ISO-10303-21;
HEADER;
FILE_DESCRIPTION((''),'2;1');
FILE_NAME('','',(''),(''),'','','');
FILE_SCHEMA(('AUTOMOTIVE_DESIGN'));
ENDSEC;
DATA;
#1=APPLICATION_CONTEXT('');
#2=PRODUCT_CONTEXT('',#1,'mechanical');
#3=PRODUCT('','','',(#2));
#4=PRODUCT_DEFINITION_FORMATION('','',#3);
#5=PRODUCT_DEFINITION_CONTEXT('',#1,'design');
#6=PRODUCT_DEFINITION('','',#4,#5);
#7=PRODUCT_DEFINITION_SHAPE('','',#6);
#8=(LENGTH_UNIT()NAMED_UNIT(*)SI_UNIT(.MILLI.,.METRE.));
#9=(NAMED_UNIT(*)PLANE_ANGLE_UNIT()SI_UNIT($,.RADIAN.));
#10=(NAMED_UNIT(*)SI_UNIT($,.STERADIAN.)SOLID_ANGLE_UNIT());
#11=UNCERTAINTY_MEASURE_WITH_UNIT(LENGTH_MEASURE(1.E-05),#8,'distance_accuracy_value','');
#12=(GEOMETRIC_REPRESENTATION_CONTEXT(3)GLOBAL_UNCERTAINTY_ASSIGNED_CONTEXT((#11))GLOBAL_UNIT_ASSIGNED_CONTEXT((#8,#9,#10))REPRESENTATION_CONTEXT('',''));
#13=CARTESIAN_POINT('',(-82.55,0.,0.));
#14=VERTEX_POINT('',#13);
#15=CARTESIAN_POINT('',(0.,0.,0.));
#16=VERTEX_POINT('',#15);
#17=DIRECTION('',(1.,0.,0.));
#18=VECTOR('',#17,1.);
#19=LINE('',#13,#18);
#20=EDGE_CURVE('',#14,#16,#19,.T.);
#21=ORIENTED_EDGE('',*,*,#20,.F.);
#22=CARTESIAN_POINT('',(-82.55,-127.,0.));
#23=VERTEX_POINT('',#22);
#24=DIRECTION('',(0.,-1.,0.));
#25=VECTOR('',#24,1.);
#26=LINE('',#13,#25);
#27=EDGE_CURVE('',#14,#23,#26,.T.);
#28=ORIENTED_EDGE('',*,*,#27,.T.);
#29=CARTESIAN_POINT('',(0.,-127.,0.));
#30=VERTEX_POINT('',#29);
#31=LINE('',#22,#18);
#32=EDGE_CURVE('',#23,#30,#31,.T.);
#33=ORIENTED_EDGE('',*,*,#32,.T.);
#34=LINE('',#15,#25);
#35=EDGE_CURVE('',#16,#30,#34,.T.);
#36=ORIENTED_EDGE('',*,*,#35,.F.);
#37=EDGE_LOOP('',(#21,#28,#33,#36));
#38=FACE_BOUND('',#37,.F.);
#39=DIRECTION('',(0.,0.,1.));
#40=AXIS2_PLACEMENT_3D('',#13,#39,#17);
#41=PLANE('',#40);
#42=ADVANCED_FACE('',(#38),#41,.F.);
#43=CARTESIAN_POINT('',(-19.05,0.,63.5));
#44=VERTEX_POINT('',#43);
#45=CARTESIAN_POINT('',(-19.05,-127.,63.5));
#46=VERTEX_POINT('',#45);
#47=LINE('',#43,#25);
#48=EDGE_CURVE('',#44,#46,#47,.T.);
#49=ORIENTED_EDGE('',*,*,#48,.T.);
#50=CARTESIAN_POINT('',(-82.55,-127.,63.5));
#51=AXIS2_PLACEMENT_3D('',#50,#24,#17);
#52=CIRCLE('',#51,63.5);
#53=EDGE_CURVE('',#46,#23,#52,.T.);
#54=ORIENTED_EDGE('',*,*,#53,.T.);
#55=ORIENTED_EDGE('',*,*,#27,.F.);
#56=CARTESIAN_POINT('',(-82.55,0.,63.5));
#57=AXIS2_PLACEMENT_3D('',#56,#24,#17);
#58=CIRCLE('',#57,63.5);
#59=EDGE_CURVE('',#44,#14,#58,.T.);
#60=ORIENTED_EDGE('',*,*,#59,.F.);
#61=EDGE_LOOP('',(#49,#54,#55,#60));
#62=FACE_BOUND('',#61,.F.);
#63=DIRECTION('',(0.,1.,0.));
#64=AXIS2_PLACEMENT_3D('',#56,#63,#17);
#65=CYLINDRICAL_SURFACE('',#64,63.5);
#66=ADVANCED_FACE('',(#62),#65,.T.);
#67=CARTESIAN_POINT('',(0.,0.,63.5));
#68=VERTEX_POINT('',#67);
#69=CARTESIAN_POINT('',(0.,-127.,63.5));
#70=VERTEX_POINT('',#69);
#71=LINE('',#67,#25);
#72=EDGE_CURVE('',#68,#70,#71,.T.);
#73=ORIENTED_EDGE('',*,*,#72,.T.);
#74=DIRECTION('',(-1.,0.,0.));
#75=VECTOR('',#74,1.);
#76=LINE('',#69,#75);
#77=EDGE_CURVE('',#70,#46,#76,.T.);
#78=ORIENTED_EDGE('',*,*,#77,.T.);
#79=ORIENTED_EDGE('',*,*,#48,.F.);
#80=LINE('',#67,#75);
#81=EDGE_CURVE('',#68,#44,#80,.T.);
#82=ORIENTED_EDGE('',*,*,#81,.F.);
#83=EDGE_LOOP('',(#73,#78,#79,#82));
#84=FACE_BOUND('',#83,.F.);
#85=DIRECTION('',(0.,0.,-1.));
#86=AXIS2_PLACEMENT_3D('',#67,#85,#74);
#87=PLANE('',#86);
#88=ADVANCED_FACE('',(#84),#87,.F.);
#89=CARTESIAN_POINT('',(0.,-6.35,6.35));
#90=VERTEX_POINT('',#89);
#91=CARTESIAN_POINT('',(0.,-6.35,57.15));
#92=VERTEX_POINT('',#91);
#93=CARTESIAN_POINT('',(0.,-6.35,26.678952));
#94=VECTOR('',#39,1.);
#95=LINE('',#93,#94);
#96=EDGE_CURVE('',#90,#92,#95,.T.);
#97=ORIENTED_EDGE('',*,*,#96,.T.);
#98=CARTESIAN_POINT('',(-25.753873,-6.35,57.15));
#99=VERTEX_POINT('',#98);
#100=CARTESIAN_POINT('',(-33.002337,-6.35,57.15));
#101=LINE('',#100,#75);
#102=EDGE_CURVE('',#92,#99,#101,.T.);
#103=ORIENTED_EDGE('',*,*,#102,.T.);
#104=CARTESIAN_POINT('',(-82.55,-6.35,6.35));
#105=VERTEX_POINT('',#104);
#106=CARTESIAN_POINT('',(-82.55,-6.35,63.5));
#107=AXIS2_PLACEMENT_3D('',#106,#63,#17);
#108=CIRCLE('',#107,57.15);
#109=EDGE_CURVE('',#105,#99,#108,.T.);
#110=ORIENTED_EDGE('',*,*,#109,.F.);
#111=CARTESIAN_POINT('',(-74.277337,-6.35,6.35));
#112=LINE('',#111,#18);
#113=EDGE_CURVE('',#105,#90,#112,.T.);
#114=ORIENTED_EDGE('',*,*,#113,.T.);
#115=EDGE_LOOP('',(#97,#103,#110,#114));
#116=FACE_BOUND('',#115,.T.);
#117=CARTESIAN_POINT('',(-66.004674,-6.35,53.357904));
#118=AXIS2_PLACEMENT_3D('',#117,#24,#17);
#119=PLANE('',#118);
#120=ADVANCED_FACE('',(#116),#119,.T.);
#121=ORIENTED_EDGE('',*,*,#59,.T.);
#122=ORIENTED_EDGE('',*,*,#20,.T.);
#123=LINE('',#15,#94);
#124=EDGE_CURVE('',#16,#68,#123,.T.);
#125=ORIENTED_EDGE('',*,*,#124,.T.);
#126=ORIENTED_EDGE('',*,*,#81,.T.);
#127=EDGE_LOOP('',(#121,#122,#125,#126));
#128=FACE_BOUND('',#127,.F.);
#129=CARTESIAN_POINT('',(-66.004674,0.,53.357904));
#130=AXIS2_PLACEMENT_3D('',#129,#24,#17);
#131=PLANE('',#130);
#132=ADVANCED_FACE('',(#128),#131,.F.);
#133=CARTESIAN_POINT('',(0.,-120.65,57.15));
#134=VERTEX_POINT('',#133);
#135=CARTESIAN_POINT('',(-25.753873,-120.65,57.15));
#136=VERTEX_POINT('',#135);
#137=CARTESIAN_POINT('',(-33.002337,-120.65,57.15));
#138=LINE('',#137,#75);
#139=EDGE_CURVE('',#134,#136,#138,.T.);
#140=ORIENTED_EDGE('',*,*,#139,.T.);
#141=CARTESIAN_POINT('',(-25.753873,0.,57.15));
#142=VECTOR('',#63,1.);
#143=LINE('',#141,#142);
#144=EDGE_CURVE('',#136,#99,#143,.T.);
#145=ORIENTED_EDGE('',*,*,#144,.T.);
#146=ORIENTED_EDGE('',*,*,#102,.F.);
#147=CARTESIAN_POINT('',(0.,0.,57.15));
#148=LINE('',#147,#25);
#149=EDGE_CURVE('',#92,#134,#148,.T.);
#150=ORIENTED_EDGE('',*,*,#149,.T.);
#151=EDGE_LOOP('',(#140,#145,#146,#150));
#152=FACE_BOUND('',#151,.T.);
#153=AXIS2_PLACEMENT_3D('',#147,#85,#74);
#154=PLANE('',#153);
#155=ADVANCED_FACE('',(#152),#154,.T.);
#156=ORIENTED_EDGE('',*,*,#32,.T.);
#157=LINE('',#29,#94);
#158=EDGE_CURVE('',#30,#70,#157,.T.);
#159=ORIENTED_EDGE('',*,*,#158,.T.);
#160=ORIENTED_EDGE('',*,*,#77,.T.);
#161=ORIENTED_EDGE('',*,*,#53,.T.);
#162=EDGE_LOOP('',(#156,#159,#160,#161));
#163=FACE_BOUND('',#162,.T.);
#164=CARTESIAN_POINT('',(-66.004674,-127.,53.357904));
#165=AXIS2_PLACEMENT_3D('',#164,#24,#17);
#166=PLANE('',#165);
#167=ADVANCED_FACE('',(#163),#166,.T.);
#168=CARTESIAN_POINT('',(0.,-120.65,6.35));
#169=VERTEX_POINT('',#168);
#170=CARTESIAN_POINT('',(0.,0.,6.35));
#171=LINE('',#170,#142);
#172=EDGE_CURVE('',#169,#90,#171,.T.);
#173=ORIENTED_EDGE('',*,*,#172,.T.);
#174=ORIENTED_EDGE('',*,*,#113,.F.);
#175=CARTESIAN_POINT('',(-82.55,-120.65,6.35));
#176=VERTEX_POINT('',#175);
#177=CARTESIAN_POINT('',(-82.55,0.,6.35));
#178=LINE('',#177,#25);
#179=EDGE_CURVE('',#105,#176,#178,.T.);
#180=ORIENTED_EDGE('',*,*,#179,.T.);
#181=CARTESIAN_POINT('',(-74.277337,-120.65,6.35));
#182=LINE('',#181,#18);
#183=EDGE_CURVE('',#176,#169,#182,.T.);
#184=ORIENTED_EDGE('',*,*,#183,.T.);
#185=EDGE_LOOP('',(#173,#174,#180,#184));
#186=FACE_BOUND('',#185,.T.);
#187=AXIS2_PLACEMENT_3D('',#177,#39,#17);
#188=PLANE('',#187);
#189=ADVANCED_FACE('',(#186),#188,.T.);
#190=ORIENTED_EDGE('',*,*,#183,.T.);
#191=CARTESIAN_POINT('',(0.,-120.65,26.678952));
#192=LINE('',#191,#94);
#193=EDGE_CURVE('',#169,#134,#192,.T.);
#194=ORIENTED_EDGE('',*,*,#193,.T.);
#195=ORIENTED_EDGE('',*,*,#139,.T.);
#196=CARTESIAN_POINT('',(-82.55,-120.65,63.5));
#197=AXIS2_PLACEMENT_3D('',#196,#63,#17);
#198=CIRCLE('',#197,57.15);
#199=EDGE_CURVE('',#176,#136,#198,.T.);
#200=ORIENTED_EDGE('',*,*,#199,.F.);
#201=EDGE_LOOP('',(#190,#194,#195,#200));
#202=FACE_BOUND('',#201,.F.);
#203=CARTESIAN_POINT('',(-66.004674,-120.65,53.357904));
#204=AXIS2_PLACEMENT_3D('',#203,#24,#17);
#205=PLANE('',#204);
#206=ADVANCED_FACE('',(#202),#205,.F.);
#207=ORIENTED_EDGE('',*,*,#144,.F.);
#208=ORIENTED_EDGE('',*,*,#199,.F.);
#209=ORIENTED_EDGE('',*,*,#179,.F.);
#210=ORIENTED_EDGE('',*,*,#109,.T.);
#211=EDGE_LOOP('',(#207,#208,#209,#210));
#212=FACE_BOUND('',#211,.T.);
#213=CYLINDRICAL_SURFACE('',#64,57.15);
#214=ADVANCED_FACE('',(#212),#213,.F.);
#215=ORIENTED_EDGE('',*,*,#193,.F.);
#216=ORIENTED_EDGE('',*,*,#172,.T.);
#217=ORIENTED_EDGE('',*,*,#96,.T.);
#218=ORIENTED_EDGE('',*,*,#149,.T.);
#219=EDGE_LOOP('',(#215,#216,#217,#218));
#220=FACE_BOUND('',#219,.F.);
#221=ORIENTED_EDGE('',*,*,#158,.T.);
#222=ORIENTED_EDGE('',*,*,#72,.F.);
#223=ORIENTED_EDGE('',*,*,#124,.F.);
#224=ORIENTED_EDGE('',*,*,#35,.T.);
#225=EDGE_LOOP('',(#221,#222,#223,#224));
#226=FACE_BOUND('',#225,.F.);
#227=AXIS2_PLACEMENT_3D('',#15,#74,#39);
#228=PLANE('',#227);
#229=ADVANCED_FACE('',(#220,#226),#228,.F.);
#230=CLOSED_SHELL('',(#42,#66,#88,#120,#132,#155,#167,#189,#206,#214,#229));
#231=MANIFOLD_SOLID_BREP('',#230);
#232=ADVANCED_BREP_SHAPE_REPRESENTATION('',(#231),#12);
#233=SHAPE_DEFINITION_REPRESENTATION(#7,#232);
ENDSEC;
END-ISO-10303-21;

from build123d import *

# Parameters (mm, degrees)
F1_DEPTH = 127
F2_T     = -6.35


with BuildPart() as f1:
    # F0 (on Front) → F1 (new body)
    with BuildSketch(Plane.XZ):
        with BuildLine():
            ThreePointArc((-19.05, 63.5), (-127.4512806053, 108.4012806053), (-82.55, 0))
            Line((-82.55, 0), (0, 0))
            Line((0, 0), (0, 63.5))
            Line((0, 63.5), (-19.05, 63.5))
        make_face()
    extrude(amount=F1_DEPTH)

    # F2
    f2_openings = [f1.faces().sort_by_distance(p)[0] for p in [
        (0, -63.5, 31.75),
    ]]
    offset(amount=F2_T, openings=f2_openings, kind=Kind.INTERSECTION)


solid = f1.part
